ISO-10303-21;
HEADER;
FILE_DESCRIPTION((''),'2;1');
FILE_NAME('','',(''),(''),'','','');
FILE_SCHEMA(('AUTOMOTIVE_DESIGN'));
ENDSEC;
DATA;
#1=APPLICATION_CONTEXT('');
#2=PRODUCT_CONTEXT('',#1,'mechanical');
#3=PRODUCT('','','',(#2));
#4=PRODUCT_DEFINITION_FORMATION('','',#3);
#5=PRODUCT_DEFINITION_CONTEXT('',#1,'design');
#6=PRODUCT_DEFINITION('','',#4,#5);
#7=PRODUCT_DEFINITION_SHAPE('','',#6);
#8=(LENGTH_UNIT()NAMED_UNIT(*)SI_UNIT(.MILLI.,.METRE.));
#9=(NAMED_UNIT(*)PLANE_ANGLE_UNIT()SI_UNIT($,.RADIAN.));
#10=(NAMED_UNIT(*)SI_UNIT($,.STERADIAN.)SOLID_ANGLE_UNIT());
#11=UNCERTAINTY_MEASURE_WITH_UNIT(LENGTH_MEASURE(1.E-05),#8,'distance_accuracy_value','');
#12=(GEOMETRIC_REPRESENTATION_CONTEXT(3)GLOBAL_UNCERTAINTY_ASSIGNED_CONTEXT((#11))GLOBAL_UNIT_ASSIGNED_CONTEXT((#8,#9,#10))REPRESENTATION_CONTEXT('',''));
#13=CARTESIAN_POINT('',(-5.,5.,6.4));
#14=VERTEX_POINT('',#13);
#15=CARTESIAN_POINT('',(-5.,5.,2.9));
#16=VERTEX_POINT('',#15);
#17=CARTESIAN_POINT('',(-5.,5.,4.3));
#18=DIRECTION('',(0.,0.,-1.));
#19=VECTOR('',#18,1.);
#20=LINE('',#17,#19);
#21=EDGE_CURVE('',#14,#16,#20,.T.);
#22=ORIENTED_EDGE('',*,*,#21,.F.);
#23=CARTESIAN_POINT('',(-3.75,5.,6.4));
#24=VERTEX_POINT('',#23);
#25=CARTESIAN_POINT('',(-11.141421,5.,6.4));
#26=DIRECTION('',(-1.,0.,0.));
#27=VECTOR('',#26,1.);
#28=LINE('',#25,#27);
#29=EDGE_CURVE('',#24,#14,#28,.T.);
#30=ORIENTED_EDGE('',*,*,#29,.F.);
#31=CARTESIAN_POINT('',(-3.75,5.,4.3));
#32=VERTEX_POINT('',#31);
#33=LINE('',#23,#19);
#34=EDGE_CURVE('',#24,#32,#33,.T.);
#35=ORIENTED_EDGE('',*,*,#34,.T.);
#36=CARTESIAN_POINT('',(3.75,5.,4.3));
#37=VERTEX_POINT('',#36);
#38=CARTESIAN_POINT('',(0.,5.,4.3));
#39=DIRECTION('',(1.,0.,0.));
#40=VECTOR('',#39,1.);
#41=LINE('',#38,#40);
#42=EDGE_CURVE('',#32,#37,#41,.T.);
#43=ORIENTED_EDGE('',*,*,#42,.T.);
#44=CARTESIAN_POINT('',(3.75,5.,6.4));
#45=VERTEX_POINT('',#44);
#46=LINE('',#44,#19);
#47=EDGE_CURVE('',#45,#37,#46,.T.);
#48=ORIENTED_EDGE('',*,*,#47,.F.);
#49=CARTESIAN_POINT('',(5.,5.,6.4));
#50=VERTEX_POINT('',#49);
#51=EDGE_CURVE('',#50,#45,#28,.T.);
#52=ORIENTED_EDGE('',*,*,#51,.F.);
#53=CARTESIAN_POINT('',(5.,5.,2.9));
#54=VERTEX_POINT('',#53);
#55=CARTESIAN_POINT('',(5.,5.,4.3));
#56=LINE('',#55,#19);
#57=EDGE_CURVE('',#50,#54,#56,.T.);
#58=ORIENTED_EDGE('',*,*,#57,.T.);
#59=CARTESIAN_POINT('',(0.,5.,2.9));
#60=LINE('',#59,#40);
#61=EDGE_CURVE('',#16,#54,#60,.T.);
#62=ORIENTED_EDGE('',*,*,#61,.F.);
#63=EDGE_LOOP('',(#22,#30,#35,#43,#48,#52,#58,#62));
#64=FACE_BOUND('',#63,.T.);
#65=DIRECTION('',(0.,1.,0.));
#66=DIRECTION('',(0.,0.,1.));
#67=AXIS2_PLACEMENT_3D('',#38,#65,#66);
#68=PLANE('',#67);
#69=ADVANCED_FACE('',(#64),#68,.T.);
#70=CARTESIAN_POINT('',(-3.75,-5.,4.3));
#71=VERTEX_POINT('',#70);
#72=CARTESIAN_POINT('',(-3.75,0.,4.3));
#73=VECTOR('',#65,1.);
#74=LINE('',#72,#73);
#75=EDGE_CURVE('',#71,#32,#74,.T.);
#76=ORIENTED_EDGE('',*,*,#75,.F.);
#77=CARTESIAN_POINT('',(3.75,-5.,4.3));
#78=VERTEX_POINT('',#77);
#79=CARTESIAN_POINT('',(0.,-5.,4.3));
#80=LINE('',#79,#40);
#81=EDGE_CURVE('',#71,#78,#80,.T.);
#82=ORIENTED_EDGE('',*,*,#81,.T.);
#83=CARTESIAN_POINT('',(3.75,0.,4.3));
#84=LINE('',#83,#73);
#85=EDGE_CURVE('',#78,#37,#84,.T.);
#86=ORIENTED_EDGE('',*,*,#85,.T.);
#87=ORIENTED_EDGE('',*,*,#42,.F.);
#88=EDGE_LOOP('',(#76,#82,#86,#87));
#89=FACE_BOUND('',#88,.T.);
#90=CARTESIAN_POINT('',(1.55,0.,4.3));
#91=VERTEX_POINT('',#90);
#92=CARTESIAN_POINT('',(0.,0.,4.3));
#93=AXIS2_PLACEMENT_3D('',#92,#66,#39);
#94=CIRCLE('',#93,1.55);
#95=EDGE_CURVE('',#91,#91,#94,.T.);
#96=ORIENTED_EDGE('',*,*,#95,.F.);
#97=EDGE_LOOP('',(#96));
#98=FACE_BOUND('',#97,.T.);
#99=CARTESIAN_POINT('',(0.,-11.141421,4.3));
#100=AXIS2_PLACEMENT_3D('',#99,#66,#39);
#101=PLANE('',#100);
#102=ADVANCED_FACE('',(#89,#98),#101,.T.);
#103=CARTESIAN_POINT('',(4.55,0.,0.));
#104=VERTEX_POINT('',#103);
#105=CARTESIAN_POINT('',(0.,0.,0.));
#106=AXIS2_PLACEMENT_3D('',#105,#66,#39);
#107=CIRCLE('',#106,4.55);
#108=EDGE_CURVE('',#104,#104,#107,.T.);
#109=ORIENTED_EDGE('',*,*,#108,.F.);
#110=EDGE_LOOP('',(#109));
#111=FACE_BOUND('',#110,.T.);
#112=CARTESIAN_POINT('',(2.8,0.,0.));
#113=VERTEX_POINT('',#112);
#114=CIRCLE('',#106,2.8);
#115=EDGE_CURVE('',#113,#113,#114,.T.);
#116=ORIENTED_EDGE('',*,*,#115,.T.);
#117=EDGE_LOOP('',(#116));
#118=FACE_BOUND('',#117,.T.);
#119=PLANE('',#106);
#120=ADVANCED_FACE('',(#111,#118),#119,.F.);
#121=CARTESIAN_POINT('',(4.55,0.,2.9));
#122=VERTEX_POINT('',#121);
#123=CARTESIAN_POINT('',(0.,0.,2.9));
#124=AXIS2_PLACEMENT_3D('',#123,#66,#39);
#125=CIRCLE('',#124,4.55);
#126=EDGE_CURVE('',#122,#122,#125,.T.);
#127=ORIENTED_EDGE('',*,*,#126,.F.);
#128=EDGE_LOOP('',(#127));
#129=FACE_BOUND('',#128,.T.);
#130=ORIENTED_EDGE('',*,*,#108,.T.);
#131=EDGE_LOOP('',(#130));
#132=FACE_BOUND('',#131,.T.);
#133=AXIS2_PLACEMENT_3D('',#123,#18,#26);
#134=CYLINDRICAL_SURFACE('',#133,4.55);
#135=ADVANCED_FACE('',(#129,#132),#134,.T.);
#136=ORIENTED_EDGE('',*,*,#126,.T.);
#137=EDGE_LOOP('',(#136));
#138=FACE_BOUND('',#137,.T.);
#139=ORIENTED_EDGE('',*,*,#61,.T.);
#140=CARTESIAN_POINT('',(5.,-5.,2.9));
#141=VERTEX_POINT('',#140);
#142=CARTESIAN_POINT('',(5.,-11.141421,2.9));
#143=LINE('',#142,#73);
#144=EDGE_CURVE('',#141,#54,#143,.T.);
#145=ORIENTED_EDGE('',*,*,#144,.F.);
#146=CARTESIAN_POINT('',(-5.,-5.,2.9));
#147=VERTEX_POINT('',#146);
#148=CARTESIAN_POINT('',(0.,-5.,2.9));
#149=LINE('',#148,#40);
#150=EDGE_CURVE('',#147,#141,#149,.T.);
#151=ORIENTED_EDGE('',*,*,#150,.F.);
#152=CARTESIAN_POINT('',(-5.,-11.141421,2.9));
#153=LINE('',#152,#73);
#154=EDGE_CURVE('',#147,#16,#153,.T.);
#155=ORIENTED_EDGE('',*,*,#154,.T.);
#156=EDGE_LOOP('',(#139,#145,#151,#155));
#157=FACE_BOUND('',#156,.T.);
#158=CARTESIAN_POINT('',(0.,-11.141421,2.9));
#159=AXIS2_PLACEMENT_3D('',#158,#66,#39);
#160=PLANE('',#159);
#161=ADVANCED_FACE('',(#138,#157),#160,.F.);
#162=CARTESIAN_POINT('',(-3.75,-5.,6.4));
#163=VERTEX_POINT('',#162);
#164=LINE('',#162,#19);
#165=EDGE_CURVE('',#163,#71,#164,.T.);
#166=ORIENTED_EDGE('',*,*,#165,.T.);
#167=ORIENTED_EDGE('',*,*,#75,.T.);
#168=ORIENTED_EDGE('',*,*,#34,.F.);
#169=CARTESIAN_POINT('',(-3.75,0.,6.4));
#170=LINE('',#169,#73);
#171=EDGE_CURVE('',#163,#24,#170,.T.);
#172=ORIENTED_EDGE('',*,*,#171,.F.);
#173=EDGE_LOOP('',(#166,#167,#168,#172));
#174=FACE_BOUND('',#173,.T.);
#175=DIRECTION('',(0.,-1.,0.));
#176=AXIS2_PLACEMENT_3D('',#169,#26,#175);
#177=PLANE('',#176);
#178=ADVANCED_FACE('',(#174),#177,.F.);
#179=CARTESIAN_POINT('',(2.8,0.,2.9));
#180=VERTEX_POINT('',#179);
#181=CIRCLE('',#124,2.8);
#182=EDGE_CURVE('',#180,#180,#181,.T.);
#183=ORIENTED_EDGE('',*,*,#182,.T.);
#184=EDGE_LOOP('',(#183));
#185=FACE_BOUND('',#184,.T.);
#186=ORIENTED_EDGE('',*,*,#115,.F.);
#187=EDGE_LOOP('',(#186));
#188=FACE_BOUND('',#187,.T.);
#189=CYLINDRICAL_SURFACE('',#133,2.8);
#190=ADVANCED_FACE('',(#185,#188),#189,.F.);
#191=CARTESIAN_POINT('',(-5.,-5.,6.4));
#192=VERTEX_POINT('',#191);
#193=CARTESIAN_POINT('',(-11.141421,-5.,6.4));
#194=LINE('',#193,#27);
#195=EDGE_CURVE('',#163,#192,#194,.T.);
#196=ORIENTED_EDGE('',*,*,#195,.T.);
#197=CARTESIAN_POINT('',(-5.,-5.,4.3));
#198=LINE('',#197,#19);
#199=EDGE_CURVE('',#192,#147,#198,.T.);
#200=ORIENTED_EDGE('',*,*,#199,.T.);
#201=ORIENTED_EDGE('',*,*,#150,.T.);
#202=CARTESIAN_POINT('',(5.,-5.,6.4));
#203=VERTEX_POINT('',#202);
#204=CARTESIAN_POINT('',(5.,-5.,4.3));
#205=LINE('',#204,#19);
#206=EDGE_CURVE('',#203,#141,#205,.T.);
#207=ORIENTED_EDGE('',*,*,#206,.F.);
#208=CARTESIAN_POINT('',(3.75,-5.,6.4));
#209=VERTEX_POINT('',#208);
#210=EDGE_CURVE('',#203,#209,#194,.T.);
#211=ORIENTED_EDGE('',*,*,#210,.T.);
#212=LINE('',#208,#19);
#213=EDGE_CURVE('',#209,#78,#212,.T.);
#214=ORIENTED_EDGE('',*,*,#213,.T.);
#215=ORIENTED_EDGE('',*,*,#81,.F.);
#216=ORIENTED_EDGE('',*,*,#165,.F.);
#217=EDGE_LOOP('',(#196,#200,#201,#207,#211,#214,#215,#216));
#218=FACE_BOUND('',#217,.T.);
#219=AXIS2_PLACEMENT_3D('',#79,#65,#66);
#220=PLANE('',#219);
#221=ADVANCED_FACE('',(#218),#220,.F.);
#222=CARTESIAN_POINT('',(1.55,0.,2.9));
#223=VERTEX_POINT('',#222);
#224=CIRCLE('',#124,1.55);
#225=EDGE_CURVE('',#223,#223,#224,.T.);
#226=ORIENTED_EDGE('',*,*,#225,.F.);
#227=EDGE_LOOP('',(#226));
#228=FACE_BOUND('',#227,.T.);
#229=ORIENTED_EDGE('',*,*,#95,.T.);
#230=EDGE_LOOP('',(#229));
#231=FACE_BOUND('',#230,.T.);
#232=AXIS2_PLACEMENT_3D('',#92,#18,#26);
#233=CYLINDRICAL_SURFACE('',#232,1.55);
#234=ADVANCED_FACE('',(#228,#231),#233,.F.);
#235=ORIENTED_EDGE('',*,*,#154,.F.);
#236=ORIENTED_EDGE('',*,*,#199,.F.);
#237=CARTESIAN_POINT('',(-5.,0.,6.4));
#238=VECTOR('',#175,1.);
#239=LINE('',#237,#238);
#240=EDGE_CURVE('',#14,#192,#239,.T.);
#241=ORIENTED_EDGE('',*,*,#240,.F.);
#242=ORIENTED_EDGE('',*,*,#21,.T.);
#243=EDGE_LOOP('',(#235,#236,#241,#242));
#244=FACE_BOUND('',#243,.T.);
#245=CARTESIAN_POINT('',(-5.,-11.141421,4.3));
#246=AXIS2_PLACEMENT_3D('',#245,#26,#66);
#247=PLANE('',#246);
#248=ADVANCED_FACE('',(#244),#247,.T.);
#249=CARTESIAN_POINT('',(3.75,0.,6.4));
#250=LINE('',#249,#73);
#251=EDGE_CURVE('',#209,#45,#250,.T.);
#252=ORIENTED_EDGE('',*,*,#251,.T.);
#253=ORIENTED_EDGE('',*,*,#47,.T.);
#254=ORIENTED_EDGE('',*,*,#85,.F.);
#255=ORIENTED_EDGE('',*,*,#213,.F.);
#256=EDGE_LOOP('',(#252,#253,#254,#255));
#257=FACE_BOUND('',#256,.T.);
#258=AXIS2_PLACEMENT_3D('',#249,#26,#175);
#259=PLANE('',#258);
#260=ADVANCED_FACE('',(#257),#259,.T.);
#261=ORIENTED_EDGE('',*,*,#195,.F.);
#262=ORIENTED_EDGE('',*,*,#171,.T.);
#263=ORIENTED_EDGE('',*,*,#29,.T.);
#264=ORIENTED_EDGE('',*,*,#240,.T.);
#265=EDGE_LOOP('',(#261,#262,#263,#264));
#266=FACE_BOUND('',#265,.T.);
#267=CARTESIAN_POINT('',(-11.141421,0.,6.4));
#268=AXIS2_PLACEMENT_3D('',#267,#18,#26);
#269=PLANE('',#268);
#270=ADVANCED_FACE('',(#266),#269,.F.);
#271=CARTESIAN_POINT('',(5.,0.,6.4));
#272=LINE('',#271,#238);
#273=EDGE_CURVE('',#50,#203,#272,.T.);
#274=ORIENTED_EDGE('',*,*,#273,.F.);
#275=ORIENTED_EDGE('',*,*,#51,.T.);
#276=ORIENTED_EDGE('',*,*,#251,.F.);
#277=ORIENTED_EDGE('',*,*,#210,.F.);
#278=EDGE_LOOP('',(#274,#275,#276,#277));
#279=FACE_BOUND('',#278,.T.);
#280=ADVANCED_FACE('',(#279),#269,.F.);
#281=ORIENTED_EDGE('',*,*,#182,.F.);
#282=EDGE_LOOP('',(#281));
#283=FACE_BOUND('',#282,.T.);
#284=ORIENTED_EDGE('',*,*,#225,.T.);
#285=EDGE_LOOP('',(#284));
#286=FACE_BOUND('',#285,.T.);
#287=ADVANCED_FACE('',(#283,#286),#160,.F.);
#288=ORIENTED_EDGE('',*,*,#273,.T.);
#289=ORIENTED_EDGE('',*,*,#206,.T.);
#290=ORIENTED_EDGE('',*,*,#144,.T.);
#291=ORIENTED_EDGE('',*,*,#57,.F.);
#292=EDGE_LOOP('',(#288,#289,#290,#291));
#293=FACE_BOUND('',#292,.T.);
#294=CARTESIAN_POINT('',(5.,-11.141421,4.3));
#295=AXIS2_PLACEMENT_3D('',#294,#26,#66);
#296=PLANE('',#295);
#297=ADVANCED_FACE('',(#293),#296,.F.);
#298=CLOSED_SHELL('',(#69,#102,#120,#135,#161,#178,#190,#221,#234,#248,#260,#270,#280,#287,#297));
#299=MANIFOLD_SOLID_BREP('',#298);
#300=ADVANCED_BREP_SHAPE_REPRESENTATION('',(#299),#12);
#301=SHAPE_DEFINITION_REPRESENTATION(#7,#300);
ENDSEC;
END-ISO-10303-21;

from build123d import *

# Parameters (mm, degrees)
SKETCH_1_R      = 4.55
SKETCH_1_R_2    = 2.8
EXTRUDE_1_DEPTH = 2.9
SKETCH_2_W      = 10
SKETCH_2_H      = 10
SKETCH_2_R      = 1.55
EXTRUDE_2_DEPTH = 1.4
SKETCH_3_W      = 1.25
SKETCH_3_H      = 10
EXTRUDE_3_DEPTH = 2.1


with BuildPart() as part:
    # Эскиз1 → Вытянуть1 (new body)
    with BuildSketch(Plane.XY):
        Circle(SKETCH_1_R)
        Circle(SKETCH_1_R_2, mode=Mode.SUBTRACT)
    extrude(amount=EXTRUDE_1_DEPTH)

    # Эскиз2 → Вытянуть2 (add)
    with BuildSketch(Plane.XY.offset(2.9)):
        Rectangle(SKETCH_2_W, SKETCH_2_H)
        Circle(SKETCH_2_R, mode=Mode.SUBTRACT)
    extrude(amount=EXTRUDE_2_DEPTH)

    # Эскиз3 → Вытянуть3 (add)
    with BuildSketch(Plane.XY.offset(4.3)):
        with Locations((-4.375, 0)):
            Rectangle(SKETCH_3_W, SKETCH_3_H)
        with Locations((4.375, 0)):
            Rectangle(SKETCH_3_W, SKETCH_3_H)
    extrude(amount=EXTRUDE_3_DEPTH)


solid = part.part
